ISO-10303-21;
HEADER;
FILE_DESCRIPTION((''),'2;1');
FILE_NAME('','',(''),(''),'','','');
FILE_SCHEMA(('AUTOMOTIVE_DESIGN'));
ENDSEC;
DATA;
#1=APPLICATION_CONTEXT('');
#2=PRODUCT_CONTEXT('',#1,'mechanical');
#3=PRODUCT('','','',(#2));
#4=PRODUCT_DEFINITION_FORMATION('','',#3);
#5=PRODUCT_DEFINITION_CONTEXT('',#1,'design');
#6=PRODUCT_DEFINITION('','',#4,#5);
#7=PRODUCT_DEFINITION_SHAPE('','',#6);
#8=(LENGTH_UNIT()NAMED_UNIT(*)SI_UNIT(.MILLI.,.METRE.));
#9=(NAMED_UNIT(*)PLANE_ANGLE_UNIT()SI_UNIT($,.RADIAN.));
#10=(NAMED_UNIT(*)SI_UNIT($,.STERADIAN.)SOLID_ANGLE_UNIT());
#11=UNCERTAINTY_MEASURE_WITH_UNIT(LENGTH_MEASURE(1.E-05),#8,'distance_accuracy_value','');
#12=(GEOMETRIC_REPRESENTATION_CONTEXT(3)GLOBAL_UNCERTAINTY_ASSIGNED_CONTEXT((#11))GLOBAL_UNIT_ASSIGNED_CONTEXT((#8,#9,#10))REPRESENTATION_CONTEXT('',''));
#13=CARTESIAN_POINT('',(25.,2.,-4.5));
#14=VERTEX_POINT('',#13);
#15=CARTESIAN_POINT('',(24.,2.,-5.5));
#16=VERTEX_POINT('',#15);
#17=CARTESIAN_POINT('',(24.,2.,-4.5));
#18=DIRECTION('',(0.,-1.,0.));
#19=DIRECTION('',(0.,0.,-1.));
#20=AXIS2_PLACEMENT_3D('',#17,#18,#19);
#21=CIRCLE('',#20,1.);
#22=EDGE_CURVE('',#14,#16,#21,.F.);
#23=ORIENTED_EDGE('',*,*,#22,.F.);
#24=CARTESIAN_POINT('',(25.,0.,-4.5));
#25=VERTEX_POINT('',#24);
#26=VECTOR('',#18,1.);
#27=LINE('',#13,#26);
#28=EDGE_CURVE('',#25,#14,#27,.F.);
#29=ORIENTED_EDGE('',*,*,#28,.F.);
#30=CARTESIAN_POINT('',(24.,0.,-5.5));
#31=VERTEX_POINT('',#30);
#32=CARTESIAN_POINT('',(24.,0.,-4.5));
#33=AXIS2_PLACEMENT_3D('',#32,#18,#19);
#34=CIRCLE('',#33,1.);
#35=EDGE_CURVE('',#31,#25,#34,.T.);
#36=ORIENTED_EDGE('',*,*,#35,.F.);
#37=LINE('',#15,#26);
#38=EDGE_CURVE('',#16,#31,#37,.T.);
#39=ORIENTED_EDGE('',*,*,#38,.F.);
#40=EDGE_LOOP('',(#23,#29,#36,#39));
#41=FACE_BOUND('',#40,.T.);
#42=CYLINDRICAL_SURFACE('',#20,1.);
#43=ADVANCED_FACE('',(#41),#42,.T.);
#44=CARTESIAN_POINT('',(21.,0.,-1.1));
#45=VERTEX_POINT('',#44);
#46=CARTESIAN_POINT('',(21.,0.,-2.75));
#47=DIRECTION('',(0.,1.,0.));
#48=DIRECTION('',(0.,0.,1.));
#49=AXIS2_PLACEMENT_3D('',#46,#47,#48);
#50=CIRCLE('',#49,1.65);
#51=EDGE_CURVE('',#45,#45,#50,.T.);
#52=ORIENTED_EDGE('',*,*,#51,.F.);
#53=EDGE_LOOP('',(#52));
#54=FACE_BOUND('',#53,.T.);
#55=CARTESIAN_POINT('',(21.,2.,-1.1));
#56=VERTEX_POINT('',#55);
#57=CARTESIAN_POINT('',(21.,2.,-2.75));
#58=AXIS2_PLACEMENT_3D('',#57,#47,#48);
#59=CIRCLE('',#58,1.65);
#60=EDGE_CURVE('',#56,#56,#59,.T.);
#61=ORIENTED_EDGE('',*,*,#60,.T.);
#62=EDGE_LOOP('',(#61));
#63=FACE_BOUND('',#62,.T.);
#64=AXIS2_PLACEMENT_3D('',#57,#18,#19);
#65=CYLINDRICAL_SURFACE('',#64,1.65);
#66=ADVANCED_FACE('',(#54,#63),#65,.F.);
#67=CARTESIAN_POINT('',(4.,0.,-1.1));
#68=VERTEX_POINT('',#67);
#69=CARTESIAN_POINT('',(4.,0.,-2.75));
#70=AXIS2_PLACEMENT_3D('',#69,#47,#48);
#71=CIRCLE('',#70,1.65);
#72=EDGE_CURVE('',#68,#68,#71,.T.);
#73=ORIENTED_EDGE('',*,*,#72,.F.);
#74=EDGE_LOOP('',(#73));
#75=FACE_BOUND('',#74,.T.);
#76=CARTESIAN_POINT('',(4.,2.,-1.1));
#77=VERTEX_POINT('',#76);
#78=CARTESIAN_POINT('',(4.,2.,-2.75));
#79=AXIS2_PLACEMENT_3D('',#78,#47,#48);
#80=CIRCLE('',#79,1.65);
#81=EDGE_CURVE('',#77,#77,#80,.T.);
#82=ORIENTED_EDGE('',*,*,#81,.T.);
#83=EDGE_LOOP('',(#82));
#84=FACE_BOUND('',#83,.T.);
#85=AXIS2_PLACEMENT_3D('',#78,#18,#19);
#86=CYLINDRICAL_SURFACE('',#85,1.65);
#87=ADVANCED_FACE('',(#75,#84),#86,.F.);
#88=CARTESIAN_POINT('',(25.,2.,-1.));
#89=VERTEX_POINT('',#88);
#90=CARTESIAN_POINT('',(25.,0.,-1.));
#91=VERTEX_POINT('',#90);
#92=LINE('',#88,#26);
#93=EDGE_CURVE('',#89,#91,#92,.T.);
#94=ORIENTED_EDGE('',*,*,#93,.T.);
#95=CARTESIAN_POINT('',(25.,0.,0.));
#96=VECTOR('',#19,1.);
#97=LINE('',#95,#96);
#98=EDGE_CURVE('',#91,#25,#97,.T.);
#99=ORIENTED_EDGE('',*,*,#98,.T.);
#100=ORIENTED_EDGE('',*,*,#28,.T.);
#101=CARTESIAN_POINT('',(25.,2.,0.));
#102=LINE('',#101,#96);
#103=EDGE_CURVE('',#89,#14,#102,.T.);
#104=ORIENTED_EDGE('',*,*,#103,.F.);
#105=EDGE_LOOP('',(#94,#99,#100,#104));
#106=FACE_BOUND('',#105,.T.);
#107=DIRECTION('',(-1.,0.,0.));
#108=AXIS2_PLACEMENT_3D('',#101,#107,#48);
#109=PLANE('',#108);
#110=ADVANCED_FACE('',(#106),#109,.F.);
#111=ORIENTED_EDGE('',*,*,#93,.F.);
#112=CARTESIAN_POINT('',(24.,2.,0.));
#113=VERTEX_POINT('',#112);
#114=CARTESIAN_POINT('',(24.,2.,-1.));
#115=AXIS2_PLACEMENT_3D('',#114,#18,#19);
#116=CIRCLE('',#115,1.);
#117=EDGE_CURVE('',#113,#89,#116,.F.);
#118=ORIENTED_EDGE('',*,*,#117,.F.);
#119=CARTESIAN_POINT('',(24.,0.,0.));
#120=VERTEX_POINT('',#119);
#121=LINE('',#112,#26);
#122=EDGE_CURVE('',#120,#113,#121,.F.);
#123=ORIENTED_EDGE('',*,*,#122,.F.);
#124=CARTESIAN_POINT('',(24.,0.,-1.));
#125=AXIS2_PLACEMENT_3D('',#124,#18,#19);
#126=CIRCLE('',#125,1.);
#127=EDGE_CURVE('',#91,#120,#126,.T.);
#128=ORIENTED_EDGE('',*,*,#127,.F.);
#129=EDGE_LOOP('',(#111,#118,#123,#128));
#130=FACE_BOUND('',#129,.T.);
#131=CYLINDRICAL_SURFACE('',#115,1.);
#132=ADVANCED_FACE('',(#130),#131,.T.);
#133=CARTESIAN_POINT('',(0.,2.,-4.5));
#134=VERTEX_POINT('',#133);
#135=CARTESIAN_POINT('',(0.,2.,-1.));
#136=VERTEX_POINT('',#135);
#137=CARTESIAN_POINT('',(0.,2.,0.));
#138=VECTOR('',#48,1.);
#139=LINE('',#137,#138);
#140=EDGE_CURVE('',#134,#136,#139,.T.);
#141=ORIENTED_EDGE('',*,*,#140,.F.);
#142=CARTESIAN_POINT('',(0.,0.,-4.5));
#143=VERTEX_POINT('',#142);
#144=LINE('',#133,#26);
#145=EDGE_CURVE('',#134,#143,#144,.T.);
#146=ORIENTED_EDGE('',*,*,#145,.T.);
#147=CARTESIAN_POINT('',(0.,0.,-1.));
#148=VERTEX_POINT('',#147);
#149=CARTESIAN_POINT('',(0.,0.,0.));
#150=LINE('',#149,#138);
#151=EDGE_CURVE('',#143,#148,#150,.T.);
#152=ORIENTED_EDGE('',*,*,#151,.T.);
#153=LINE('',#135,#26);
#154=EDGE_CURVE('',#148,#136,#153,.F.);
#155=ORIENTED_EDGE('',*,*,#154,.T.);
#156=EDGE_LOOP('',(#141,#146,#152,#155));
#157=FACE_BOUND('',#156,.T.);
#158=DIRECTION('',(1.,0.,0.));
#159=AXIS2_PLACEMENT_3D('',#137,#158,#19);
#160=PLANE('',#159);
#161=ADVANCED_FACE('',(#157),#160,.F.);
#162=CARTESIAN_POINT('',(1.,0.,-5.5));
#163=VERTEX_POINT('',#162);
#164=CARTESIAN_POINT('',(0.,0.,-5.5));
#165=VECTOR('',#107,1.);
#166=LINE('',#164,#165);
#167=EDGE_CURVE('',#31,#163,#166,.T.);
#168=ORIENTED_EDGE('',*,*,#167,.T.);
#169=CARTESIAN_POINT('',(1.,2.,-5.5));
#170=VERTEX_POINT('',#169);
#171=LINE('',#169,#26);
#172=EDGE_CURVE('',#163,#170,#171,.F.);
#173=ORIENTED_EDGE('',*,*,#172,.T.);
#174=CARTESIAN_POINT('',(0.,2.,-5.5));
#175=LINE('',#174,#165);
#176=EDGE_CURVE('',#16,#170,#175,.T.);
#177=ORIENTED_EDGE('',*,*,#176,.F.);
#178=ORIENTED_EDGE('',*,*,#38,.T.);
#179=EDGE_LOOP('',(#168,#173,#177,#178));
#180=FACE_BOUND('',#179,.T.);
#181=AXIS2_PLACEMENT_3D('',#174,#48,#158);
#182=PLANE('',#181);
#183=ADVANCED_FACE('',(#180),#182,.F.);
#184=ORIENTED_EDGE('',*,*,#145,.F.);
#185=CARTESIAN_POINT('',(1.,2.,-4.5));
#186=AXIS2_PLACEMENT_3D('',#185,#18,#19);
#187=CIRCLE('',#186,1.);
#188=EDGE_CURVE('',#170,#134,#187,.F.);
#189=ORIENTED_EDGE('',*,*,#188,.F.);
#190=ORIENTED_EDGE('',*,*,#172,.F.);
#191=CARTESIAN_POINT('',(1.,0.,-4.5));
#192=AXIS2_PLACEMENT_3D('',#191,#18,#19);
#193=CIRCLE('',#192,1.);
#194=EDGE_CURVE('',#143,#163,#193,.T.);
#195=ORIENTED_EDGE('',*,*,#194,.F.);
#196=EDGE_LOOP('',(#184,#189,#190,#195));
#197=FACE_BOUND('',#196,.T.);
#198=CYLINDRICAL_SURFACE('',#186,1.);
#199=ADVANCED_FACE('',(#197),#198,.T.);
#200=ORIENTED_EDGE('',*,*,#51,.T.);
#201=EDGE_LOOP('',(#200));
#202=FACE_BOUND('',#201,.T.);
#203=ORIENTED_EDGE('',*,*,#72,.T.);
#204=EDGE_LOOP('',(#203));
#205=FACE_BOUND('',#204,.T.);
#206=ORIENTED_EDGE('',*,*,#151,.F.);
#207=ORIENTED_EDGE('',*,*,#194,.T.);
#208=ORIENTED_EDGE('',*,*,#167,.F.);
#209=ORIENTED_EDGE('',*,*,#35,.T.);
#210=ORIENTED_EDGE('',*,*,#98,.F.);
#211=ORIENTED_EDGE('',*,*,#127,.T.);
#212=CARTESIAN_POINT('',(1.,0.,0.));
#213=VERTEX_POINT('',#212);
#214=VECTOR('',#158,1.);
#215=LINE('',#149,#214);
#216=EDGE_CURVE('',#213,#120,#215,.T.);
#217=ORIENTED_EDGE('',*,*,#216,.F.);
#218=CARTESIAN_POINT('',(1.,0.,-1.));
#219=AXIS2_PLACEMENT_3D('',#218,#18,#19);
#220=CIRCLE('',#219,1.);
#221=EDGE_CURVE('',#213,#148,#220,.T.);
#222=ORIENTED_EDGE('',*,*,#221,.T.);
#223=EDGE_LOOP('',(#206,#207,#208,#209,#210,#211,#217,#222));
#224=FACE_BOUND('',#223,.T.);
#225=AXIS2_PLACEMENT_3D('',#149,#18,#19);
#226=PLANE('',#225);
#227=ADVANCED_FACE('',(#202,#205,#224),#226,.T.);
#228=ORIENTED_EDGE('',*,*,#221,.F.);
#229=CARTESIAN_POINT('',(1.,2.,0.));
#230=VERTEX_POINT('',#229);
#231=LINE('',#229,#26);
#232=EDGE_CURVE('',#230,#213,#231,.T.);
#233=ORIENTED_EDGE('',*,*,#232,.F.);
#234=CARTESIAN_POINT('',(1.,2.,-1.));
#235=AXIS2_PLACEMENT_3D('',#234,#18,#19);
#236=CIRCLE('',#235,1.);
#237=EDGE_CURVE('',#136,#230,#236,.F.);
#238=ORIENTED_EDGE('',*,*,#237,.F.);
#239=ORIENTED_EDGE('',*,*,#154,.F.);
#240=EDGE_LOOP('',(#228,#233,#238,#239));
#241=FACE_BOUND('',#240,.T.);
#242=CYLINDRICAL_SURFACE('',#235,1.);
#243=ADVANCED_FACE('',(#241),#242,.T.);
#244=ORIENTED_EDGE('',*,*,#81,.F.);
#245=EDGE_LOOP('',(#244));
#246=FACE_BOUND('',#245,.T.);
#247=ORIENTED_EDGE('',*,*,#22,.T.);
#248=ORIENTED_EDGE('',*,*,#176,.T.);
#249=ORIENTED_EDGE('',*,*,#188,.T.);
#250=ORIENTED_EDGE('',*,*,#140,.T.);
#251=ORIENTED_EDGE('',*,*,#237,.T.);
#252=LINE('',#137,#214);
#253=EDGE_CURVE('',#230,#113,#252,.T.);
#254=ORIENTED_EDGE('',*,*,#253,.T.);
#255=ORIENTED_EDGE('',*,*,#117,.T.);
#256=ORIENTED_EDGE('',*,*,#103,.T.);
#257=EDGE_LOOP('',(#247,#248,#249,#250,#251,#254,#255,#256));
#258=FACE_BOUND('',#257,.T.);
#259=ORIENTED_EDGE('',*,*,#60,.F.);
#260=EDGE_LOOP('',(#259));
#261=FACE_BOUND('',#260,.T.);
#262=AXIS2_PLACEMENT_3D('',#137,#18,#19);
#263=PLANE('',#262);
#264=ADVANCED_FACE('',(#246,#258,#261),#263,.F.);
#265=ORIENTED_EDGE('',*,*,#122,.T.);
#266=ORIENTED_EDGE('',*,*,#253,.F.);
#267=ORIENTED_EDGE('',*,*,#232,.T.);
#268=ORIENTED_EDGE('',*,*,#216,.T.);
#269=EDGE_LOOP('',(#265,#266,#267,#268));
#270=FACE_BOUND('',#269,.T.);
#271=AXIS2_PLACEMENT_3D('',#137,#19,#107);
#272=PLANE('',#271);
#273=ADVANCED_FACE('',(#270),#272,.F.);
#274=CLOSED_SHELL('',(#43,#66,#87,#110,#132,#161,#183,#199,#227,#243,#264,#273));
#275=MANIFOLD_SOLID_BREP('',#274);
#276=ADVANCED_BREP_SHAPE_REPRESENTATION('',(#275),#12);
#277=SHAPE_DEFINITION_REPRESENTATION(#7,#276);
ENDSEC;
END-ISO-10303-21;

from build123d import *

# Parameters (mm, degrees)
SKETCH1_W           = 25
SKETCH1_H           = 5.5
SKETCH1_R           = 1.65
BOSS_EXTRUDE1_DEPTH = 2
FILLET1_R           = 1


with BuildPart() as part:
    # Sketch1 → Boss-Extrude1 (new body)
    with BuildSketch(Plane(origin=(0, 0, 0), x_dir=(1, 0, 0), z_dir=(0, 1, 0))):
        with Locations((12.5, 2.75)):
            Rectangle(SKETCH1_W, SKETCH1_H)
        with Locations(Location((4, 2.75, 0), (0, 0, 270))):
            Circle(SKETCH1_R, mode=Mode.SUBTRACT)
        with Locations(Location((21, 2.75, 0), (0, 0, 270))):
            Circle(SKETCH1_R, mode=Mode.SUBTRACT)
    extrude(amount=BOSS_EXTRUDE1_DEPTH)

    # Fillet1
    fillet1_edges = [part.edges().sort_by_distance(p)[0] for p in [
        (0, 1, -5.5),
        (25, 1, -5.5),
        (25, 1, 0),
        (0, 1, 0),
    ]]
    fillet(fillet1_edges, radius=FILLET1_R)


solid = part.part
